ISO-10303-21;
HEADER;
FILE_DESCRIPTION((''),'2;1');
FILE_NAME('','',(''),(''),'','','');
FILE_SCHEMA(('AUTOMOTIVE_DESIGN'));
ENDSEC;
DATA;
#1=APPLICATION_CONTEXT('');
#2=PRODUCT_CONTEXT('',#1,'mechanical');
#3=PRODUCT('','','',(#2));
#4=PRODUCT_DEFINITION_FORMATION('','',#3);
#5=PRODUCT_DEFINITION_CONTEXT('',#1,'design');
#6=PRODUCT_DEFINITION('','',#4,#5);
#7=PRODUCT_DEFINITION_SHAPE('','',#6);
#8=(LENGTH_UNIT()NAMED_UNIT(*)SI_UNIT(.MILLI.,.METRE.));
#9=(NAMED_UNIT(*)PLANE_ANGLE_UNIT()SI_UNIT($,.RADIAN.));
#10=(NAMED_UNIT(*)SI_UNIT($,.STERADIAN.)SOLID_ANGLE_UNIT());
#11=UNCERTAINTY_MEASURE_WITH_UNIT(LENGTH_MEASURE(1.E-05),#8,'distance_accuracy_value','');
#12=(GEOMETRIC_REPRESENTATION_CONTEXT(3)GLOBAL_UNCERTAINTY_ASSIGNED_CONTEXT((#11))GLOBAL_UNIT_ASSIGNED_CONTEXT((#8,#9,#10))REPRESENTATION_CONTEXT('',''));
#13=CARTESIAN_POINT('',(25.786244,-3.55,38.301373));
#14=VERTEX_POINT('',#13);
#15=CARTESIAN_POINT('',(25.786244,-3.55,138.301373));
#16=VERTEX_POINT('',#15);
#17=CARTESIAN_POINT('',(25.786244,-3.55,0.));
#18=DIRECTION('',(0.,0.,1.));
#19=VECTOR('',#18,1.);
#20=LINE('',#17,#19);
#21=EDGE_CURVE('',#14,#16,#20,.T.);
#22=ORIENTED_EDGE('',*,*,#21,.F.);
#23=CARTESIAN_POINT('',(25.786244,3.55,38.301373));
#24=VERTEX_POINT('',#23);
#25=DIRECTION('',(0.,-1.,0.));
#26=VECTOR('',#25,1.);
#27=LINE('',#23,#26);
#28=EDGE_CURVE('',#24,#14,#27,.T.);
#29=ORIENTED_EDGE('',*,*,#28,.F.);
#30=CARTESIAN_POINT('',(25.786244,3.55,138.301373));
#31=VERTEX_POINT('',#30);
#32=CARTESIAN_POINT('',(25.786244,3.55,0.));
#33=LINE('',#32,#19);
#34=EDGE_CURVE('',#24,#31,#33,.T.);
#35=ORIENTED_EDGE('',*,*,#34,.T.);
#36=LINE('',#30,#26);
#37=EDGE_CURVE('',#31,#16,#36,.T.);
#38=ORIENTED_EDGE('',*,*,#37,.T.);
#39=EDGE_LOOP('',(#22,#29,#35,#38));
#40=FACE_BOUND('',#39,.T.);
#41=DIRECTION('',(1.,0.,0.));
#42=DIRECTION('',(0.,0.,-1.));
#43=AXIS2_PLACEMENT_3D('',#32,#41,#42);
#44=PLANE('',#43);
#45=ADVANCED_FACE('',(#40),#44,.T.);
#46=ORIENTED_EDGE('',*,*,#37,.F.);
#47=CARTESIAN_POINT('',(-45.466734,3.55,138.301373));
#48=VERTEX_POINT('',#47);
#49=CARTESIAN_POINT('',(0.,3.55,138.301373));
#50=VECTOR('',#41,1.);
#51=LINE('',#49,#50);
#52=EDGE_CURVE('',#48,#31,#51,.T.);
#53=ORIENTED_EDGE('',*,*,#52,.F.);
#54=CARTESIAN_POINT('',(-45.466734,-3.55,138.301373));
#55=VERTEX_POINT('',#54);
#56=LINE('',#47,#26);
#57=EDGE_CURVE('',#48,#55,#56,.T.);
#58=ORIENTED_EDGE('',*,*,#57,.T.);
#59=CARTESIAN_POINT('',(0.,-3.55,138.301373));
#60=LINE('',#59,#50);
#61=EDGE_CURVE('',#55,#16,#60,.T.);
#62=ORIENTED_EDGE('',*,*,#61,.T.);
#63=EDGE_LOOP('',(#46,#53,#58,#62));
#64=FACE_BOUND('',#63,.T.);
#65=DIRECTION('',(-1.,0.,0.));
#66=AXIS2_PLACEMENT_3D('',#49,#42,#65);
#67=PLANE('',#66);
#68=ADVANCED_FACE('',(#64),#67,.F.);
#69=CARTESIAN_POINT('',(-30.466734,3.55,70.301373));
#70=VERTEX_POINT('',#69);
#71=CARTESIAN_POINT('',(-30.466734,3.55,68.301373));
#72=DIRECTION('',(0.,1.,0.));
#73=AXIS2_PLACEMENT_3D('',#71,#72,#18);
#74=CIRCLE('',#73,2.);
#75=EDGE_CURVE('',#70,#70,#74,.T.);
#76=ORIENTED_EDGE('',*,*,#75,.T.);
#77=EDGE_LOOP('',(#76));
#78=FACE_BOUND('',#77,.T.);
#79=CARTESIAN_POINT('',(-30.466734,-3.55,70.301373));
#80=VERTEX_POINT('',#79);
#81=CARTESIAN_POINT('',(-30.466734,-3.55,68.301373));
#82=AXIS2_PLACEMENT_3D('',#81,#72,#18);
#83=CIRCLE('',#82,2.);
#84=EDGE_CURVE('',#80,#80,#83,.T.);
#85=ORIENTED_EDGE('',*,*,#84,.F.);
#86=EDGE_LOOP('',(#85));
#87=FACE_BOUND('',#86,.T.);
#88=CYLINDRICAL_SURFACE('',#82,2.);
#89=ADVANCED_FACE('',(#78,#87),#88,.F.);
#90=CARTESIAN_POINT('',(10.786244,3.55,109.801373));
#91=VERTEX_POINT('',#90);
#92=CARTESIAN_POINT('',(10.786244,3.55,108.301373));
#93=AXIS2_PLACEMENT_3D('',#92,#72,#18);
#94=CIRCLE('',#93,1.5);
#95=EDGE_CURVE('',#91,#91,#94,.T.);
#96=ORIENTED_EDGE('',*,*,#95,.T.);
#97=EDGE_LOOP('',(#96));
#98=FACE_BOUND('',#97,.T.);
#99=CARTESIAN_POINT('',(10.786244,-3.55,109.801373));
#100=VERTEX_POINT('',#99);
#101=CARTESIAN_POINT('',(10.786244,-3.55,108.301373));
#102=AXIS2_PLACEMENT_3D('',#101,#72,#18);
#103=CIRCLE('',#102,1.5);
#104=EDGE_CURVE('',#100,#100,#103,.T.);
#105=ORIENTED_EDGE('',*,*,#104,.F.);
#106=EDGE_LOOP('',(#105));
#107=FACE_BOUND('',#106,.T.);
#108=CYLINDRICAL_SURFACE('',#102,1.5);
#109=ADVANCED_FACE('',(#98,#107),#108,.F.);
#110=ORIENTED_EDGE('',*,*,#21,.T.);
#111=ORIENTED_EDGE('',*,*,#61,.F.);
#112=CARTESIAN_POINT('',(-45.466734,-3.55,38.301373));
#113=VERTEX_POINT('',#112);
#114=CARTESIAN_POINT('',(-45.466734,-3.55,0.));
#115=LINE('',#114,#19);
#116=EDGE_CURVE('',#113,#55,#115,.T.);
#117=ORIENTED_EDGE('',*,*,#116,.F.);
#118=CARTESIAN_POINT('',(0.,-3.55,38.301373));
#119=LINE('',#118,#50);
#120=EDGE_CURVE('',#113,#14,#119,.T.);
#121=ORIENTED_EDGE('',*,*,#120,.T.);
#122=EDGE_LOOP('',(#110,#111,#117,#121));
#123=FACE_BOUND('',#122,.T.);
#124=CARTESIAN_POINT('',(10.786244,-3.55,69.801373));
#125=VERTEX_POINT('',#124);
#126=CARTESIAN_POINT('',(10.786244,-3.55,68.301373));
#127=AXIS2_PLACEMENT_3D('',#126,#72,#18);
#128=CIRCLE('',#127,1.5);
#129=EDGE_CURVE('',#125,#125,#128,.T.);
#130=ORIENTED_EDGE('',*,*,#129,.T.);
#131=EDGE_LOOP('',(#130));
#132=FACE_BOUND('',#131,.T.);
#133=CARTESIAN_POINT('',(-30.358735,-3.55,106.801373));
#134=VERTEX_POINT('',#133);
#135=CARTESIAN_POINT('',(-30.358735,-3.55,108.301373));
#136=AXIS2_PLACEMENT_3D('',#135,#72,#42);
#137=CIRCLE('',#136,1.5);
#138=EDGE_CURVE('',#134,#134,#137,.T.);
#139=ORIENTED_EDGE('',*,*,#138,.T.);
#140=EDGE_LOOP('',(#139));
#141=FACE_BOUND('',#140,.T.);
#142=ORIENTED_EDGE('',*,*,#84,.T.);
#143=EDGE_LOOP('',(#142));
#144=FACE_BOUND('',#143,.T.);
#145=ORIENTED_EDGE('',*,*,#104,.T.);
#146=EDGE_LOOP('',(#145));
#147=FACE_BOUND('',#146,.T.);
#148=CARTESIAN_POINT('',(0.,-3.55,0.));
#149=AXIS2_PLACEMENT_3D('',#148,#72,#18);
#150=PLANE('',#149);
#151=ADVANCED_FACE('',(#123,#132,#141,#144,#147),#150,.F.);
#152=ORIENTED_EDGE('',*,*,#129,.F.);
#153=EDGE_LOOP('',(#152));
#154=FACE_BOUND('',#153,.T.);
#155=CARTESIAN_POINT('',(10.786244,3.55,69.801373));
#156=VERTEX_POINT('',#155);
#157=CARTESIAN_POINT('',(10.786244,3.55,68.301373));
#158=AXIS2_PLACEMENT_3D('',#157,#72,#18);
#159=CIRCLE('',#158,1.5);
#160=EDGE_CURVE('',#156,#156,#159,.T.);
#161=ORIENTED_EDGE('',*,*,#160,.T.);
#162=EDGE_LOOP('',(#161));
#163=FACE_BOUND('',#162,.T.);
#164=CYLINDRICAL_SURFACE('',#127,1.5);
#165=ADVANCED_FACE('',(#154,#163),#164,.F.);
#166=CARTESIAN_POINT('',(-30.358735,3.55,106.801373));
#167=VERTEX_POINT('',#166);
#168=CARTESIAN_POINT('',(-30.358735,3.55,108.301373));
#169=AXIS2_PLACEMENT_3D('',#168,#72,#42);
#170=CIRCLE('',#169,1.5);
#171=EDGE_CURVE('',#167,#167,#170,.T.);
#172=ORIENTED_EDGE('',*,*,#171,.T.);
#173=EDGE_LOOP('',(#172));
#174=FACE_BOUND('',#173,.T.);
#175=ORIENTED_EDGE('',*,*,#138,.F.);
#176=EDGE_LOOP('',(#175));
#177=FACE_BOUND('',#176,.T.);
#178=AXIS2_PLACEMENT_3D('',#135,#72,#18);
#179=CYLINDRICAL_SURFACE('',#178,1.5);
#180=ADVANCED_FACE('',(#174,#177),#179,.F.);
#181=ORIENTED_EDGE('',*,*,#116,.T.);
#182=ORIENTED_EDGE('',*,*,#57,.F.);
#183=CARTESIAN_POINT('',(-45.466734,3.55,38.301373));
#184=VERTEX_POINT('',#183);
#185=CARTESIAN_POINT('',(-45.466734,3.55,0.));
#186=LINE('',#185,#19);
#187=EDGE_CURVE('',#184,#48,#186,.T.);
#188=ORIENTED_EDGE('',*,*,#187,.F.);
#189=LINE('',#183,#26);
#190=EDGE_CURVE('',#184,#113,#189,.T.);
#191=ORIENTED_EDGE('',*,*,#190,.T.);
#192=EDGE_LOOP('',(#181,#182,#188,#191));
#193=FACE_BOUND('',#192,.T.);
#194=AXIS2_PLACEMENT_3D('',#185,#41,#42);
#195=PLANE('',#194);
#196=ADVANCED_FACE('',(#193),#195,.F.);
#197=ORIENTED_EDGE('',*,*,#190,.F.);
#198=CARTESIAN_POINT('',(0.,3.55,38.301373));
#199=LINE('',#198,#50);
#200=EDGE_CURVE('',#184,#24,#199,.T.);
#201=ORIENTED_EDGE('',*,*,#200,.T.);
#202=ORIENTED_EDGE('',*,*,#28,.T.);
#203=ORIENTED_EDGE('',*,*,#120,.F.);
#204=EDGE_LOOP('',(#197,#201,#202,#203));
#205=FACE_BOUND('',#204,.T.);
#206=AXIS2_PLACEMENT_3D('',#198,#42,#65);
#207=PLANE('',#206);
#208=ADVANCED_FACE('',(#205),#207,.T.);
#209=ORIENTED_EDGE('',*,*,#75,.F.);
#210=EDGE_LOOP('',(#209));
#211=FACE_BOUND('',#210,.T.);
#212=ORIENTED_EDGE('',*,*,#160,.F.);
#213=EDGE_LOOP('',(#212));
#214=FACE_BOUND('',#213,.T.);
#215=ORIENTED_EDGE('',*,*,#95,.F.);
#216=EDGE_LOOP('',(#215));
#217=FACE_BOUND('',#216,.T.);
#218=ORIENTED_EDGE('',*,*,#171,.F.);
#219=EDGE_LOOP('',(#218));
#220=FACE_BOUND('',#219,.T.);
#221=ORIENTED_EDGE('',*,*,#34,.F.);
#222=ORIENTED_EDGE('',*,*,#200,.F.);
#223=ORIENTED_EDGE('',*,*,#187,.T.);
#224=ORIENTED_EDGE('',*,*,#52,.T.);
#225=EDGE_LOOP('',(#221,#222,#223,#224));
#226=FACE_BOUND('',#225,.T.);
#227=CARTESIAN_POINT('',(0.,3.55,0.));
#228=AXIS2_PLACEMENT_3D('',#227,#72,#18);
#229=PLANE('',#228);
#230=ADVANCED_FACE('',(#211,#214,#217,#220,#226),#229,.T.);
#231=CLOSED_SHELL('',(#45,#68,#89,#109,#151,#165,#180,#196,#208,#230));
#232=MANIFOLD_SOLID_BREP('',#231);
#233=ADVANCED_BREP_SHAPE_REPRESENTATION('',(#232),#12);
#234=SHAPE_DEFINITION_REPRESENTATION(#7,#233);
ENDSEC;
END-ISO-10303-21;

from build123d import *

# Parameters (mm, degrees)
SKETCH1_W           = 71.252977654
SKETCH1_H           = 100
BOSS_EXTRUDE1_DEPTH = 3.55
SKETCH6_R           = 1.5
SKETCH6_R_2         = 2
CUT_EXTRUDE11_DEPTH = 146.045946322


with BuildPart() as part:
    # Sketch1 → Boss-Extrude1 (new, symmetric)
    with BuildSketch(Plane(origin=(0, 0, 0.748863832), x_dir=(1, 0, 0), z_dir=(0, 1, 0))):
        with Locations((-9.840244689, -87.552508839)):
            Rectangle(SKETCH1_W, SKETCH1_H)
    extrude(amount=BOSS_EXTRUDE1_DEPTH, both=True)

    # Sketch6 → Cut-Extrude11 (cut, through all)
    with BuildSketch(Plane(origin=(0, 3.55, 0.748863832), x_dir=(1, 0, 0), z_dir=(0, 1, 0))):
        with Locations(Location((10.786244138, -67.552508839, 0), (0, 0, 270))):
            Circle(SKETCH6_R)
        with Locations(Location((-30.466733516, -67.552508839, 0), (0, 0, 270))):
            Circle(SKETCH6_R_2)
        with Locations(Location((10.786244138, -107.552508839, 0), (0, 0, 270))):
            Circle(SKETCH6_R)
        with Locations(Location((-30.35873493, -107.552508839, 0), (0, 0, 90))):
            Circle(SKETCH6_R)
    extrude(amount=-CUT_EXTRUDE11_DEPTH, mode=Mode.SUBTRACT)


solid = part.part
